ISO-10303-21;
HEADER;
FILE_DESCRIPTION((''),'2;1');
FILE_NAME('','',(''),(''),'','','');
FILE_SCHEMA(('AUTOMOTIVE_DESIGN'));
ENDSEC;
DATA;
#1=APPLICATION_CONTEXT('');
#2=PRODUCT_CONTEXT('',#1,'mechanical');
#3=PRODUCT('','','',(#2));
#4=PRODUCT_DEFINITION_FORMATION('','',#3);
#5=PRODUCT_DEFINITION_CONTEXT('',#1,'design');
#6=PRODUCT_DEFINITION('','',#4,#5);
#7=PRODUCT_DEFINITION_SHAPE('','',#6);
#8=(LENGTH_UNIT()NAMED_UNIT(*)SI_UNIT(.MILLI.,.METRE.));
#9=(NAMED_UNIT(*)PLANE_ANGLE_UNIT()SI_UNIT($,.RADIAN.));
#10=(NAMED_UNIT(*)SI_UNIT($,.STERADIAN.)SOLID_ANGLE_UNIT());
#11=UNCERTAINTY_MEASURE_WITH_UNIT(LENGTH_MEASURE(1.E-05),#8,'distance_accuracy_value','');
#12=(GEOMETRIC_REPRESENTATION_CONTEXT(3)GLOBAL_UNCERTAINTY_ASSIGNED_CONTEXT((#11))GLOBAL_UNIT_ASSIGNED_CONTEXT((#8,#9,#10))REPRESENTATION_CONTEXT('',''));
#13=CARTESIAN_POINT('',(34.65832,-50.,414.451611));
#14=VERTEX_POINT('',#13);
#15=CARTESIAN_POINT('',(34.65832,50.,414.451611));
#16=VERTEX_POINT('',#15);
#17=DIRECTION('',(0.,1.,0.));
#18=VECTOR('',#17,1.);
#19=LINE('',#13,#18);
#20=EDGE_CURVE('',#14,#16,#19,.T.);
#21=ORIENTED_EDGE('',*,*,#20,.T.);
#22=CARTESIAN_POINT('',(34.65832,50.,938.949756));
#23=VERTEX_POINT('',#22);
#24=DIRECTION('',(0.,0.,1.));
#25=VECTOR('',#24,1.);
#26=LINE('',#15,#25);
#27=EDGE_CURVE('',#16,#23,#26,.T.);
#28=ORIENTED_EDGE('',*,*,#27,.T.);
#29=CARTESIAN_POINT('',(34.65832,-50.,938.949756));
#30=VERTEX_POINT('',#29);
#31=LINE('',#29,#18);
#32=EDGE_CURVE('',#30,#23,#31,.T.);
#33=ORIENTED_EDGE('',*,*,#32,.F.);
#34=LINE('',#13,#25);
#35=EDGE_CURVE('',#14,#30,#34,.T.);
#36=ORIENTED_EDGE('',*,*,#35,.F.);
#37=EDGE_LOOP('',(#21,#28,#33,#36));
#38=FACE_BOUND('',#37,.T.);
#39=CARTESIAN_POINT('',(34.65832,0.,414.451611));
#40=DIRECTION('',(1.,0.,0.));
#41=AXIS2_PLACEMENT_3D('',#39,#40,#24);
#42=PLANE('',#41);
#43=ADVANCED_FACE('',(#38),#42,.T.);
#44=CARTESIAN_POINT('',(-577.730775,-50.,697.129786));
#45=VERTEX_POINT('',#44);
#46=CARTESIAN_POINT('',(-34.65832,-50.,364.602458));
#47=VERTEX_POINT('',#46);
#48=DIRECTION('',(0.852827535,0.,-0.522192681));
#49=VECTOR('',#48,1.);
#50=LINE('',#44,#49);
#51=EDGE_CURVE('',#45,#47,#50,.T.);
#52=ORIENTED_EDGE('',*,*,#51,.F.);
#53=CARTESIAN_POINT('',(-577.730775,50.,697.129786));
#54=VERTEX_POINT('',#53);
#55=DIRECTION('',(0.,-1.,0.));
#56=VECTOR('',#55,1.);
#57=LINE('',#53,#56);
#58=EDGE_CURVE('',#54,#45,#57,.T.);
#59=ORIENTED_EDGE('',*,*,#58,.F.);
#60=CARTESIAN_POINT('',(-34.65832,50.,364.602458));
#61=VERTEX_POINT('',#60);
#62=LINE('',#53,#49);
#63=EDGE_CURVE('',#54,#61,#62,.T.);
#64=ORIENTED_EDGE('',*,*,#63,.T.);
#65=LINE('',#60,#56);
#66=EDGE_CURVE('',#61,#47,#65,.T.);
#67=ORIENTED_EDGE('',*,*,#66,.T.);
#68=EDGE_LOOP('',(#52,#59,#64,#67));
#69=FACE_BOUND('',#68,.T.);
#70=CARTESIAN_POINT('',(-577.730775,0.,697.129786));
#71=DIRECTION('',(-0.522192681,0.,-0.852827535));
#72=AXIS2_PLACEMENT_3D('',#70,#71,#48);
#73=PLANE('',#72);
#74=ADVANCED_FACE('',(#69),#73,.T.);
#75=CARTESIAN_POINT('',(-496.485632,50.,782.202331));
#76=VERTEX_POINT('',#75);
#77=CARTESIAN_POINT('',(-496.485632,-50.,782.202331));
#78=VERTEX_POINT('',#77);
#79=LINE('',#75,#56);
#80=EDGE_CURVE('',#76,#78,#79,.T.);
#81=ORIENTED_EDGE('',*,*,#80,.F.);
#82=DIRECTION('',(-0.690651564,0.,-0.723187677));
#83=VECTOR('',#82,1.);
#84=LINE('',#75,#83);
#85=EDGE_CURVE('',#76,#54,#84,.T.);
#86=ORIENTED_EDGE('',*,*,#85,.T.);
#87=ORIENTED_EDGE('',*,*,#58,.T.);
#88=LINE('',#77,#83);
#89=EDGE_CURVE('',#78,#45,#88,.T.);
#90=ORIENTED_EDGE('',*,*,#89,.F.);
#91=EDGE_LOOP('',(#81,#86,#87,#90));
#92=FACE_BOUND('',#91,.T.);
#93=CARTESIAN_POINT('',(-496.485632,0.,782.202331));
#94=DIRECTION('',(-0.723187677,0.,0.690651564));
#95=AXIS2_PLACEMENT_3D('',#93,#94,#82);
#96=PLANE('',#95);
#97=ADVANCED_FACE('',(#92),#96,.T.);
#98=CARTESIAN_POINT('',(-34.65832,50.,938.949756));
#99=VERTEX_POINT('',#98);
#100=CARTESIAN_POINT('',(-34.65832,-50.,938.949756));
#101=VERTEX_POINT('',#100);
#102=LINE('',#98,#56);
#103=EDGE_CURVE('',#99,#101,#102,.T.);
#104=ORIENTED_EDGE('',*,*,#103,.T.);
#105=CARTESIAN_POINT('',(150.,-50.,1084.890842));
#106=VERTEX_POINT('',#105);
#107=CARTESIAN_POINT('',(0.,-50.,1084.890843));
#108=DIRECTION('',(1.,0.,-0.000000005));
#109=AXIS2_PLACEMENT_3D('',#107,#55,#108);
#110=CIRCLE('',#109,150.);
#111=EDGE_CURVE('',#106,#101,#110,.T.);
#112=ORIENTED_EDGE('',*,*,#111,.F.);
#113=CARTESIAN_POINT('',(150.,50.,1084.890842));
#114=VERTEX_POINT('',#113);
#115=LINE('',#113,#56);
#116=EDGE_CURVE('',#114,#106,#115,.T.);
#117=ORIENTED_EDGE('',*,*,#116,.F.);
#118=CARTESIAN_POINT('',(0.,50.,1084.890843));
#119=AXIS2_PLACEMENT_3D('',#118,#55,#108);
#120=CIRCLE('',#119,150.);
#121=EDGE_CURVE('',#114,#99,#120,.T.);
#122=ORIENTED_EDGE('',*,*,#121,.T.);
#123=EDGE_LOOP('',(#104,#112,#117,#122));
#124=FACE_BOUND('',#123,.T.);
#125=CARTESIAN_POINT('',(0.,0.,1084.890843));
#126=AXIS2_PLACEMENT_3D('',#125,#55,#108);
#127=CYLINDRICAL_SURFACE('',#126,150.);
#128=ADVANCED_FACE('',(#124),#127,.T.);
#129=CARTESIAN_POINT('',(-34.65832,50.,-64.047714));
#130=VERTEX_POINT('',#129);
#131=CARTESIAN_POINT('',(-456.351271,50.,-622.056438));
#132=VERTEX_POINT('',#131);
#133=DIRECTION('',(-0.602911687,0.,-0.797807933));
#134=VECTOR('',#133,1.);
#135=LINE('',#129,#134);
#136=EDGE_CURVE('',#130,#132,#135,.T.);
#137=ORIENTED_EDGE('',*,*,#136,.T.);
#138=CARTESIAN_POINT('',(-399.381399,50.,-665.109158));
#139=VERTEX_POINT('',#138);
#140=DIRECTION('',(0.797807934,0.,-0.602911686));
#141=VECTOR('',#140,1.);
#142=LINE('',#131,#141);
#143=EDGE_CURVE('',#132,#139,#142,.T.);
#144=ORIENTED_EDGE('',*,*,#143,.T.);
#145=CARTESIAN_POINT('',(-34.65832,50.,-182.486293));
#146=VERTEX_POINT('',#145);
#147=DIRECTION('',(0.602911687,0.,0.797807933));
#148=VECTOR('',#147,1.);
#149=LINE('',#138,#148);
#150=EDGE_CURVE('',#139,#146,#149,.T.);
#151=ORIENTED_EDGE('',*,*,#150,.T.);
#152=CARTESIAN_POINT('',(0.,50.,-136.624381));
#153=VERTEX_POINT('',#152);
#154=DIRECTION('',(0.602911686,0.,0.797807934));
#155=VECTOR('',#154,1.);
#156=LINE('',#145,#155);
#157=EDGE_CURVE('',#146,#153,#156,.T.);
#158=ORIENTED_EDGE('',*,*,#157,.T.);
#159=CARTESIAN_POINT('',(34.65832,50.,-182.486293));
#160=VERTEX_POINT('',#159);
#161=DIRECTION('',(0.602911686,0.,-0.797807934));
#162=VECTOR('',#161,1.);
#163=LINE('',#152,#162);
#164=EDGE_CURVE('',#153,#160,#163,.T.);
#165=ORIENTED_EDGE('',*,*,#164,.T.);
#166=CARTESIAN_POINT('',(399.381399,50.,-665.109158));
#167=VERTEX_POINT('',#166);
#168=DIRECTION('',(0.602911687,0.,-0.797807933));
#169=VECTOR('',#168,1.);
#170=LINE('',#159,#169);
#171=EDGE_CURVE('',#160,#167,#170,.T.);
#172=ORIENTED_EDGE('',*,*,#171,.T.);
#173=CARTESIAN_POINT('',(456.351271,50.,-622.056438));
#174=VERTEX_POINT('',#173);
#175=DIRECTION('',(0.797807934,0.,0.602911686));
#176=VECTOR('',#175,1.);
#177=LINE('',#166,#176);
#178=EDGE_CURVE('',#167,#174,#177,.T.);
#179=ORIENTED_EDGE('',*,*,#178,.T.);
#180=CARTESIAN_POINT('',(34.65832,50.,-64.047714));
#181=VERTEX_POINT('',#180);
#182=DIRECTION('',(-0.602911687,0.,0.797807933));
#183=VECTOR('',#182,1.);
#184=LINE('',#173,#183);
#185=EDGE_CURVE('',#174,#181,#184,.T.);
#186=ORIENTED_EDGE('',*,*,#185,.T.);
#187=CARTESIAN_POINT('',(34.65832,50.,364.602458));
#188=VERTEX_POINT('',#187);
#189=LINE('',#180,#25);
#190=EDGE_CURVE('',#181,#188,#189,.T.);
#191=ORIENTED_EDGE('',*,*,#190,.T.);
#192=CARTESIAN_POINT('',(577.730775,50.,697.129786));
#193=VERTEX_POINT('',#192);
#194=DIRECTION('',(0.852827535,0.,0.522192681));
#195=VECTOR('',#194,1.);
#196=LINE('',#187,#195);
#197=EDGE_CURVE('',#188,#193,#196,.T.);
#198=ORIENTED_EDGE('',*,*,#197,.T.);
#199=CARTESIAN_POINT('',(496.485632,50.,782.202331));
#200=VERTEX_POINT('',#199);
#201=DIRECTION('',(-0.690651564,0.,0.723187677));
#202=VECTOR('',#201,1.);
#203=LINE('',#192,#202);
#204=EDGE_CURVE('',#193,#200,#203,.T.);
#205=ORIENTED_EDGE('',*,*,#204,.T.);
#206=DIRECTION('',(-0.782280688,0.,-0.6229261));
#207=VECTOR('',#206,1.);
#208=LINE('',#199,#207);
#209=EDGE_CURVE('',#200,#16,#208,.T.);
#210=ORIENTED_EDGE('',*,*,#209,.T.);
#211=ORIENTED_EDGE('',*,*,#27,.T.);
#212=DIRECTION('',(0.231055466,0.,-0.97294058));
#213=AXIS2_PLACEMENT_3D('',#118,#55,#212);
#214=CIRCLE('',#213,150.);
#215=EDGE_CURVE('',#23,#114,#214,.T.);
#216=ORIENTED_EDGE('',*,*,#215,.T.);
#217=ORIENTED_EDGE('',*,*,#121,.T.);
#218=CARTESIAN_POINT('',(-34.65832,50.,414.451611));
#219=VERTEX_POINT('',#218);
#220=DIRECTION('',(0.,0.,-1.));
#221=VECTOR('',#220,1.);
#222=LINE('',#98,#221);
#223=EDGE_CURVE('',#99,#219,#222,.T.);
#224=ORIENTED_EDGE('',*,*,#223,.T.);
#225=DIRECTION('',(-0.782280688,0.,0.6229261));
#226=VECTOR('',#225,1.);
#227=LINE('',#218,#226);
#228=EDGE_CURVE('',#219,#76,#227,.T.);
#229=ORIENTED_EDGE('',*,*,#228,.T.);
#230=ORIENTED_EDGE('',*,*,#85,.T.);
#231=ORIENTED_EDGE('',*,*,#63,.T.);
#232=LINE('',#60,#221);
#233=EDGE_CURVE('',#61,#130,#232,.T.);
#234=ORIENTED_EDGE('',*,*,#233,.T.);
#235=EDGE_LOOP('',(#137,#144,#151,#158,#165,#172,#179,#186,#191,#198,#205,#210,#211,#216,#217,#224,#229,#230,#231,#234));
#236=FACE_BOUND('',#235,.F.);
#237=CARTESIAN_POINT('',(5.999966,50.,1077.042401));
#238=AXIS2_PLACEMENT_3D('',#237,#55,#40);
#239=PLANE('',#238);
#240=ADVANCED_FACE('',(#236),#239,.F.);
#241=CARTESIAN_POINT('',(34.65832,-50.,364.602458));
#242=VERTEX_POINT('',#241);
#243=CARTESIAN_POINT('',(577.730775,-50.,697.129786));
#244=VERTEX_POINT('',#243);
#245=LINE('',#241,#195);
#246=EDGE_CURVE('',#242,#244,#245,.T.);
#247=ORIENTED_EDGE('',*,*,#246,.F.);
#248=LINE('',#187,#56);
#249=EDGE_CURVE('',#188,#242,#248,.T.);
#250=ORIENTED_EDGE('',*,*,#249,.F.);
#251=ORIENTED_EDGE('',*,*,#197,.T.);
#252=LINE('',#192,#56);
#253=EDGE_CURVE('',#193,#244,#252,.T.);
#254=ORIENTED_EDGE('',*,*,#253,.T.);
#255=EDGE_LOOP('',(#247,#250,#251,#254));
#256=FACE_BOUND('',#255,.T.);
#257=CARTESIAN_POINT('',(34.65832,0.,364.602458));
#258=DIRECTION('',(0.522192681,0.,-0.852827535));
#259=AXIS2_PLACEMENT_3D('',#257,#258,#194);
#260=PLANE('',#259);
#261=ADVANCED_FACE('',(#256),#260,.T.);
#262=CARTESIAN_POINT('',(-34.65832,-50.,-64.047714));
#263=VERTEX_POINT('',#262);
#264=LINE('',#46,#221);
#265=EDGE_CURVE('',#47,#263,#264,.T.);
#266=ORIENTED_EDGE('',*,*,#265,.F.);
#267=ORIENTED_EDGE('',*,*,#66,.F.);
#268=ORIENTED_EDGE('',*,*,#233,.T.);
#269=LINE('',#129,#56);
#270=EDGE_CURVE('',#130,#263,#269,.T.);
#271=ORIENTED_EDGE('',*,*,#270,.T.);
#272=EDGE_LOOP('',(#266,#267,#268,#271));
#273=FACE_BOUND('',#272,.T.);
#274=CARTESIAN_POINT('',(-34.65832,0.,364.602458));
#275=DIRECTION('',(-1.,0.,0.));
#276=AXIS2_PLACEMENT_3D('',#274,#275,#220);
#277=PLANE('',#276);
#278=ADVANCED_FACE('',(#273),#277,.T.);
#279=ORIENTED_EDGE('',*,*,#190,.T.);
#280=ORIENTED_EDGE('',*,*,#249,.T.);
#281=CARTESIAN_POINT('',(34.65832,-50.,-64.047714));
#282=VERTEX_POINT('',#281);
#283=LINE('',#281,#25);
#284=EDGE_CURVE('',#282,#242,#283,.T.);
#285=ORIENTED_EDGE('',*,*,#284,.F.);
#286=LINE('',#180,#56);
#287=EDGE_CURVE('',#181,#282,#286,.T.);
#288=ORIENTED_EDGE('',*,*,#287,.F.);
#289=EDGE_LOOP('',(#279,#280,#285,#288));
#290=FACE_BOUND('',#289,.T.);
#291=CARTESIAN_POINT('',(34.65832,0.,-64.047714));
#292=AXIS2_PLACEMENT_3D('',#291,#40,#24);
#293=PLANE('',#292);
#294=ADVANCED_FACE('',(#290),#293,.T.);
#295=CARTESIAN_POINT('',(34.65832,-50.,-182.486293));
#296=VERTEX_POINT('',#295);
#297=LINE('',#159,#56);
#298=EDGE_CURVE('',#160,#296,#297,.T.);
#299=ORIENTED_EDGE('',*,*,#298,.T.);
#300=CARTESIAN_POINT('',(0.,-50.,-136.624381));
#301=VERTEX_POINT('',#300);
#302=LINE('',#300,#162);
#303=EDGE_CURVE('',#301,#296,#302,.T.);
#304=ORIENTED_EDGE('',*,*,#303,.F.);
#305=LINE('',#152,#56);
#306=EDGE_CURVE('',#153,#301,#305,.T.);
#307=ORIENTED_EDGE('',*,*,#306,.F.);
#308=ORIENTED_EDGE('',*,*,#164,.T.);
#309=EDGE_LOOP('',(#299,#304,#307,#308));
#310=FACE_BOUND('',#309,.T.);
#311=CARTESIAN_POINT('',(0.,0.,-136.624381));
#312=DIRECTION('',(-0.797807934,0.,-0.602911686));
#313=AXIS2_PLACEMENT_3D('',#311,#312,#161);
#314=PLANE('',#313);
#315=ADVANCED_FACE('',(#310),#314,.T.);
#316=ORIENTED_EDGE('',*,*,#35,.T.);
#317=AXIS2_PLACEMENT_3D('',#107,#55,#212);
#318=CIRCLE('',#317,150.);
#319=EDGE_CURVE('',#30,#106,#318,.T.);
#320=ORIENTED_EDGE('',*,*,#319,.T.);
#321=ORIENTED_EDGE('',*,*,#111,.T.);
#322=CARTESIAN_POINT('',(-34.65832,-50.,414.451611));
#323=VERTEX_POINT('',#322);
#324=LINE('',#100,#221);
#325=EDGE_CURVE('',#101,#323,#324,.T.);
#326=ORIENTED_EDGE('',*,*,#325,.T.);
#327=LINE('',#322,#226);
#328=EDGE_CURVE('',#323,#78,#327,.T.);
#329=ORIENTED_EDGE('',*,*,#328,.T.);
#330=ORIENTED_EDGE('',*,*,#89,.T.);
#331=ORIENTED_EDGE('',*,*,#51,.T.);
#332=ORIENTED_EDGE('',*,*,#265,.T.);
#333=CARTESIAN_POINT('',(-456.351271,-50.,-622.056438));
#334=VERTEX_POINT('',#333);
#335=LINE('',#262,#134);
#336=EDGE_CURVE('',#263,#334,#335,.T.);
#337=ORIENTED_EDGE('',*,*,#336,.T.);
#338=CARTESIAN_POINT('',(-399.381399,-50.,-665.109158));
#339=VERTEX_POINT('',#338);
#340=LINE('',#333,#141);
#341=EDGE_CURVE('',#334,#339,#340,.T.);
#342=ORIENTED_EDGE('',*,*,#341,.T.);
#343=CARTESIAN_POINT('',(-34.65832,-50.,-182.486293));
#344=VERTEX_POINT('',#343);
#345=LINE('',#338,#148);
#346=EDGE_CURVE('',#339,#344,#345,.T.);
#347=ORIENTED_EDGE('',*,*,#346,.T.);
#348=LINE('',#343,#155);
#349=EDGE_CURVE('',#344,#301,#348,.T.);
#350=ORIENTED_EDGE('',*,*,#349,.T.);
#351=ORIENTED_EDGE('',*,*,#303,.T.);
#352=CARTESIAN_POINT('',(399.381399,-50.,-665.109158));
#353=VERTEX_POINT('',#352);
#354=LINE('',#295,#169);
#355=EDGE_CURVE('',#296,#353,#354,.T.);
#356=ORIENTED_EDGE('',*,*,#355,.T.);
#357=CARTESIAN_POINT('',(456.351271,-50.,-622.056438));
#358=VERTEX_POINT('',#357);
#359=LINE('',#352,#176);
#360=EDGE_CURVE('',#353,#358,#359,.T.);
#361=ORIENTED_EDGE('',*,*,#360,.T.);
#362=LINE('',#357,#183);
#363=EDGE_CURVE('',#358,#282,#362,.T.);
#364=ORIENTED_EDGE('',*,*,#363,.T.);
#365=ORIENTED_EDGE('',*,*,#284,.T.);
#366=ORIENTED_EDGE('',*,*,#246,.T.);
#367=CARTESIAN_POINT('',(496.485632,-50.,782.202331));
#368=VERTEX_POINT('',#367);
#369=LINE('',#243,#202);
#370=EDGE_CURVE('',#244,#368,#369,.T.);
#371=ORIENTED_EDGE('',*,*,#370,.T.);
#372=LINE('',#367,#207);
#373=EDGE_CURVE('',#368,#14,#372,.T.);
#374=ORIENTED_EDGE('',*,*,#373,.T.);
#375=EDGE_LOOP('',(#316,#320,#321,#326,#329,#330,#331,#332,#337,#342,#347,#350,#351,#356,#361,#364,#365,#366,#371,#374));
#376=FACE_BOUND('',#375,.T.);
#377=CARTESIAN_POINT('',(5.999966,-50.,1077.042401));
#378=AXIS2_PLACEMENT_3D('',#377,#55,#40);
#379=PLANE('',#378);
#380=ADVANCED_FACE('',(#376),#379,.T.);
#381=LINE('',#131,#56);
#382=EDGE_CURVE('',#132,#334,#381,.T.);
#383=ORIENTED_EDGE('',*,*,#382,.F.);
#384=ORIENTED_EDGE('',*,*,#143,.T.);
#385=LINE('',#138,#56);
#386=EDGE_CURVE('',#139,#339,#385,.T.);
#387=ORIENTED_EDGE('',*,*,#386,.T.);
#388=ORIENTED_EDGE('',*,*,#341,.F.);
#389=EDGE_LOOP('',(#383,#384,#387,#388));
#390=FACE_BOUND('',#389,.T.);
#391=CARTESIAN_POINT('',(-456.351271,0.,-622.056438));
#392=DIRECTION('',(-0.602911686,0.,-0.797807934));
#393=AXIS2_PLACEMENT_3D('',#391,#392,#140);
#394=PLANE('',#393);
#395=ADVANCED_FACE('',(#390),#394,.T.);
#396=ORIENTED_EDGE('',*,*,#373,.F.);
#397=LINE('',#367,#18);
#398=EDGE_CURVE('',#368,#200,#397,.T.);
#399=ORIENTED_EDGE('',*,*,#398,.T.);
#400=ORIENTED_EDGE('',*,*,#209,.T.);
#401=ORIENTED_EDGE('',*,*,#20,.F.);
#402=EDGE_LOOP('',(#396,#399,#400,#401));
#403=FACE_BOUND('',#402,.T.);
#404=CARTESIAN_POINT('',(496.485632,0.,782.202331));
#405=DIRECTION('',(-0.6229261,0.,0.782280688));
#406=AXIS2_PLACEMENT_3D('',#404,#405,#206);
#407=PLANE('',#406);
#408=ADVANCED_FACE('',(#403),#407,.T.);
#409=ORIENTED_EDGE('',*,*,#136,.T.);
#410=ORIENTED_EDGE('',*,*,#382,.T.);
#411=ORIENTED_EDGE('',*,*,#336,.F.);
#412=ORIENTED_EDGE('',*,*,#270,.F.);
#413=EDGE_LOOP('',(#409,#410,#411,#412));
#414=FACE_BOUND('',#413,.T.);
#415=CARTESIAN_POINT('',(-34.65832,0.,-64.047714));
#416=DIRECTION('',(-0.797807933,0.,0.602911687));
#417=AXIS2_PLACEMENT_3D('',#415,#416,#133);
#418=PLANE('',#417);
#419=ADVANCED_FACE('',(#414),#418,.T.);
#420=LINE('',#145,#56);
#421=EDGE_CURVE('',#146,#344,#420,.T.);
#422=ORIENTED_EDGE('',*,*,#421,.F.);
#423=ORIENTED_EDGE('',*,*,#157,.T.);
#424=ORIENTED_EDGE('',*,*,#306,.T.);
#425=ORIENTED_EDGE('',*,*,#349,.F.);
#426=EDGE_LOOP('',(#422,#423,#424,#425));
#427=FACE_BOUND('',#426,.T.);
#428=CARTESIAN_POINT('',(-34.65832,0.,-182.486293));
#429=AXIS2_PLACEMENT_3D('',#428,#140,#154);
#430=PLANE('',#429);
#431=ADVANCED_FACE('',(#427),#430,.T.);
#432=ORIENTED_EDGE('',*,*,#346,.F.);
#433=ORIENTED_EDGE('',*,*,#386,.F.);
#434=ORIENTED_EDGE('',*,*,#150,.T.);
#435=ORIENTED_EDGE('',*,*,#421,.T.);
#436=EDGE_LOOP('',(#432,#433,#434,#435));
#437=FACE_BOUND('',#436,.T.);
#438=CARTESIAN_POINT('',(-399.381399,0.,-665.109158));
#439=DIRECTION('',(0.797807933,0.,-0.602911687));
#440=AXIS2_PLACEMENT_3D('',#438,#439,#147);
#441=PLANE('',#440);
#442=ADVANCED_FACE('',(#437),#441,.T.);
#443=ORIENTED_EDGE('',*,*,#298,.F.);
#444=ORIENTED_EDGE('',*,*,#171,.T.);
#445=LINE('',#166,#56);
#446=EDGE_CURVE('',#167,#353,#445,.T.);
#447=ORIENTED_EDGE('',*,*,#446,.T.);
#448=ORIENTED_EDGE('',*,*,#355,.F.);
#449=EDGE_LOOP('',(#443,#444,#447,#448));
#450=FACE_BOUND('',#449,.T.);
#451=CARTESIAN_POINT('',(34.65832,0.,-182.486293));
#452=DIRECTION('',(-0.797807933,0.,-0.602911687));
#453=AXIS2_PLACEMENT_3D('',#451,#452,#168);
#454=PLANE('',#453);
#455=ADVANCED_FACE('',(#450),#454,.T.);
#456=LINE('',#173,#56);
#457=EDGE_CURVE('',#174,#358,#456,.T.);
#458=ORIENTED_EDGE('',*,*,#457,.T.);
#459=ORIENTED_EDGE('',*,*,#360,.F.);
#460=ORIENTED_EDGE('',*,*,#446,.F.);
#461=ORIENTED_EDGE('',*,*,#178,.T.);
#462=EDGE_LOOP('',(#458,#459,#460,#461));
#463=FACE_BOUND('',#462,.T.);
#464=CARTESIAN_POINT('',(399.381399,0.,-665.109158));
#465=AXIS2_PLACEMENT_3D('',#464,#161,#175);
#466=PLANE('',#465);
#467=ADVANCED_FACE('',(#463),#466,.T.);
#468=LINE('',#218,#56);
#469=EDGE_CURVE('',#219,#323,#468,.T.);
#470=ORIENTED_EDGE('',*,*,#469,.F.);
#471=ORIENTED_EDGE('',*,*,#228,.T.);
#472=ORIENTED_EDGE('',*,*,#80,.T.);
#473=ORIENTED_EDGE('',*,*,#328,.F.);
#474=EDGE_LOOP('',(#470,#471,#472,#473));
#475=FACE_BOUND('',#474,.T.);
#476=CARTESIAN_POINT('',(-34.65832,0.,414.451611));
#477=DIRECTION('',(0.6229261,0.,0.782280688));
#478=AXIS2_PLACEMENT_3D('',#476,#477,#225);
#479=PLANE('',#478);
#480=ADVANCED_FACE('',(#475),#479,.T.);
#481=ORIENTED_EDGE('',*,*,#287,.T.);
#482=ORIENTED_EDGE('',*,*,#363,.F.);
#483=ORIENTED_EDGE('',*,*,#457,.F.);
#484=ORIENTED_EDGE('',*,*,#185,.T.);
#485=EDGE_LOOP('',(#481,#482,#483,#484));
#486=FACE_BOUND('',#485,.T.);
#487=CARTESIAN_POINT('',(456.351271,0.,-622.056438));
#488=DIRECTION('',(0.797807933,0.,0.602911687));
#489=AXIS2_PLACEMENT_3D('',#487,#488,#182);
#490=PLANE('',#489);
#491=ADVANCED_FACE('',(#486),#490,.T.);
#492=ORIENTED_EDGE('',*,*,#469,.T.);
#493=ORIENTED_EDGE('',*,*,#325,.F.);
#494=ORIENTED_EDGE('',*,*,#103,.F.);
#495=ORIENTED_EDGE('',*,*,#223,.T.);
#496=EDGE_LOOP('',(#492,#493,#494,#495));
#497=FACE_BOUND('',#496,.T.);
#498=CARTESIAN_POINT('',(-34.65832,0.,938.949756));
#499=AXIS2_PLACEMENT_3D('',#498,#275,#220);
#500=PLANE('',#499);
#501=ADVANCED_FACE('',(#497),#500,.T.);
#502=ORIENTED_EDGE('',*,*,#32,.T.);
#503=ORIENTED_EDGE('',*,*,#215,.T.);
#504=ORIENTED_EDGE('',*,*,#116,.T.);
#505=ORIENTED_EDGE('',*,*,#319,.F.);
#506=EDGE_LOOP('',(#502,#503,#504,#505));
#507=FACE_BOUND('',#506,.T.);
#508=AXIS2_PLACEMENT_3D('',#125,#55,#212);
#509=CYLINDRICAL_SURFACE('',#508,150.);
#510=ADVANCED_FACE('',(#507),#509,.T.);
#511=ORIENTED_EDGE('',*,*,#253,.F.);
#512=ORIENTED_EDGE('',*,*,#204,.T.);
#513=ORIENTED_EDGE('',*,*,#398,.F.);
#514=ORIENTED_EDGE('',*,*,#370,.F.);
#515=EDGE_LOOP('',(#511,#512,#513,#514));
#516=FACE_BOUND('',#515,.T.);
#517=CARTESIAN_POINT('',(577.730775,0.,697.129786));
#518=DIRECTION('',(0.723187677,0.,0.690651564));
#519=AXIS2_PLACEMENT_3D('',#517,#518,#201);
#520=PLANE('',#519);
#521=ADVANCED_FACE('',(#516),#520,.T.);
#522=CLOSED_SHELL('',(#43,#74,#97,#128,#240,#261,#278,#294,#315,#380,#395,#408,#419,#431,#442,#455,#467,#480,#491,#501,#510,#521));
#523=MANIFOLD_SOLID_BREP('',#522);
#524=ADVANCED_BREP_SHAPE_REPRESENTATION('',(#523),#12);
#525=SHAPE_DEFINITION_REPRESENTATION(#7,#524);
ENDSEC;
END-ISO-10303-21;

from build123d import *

# Parameters (mm, degrees)
F1_DEPTH = 50


with BuildPart() as f1:
    # F0 (on Front) → F1 (new body, symmetric)
    with BuildSketch(Plane.XZ):
        with BuildLine():
            ThreePointArc((34.65832, 938.949756), (117.683363, 991.882101), (150, 1084.890842))
            ThreePointArc((150, 1084.890842), (-93.008741, 1202.574206), (-34.65832, 938.949756))
            ThreePointArc((-34.65832, 938.949756), (0, 934.890842), (34.65832, 938.949756))
        make_face()
        with BuildLine():
            ThreePointArc((34.65832, 938.949756), (0, 934.890842), (-34.65832, 938.949756))
            Line((-34.65832, 938.949756), (-34.65832, 414.451611))
            Line((-34.65832, 414.451611), (-496.485632, 782.202331))
            Line((-496.485632, 782.202331), (-577.730775, 697.129786))
            Line((-577.730775, 697.129786), (-34.65832, 364.602458))
            Line((-34.65832, 364.602458), (-34.65832, -64.047714))
            Line((-34.65832, -64.047714), (-456.351271, -622.056438))
            Line((-456.351271, -622.056438), (-399.381399, -665.109158))
            Line((-399.381399, -665.109158), (-34.65832, -182.486293))
            Line((-34.65832, -182.486293), (0, -136.624381))
            Line((0, -136.624381), (34.65832, -182.486293))
            Line((34.65832, -182.486293), (399.381399, -665.109158))
            Line((399.381399, -665.109158), (456.351271, -622.056438))
            Line((456.351271, -622.056438), (34.65832, -64.047714))
            Line((34.65832, -64.047714), (34.65832, 364.602458))
            Line((34.65832, 364.602458), (577.730775, 697.129786))
            Line((577.730775, 697.129786), (496.485632, 782.202331))
            Line((496.485632, 782.202331), (34.65832, 414.451611))
            Line((34.65832, 414.451611), (34.65832, 938.949756))
        make_face()
    extrude(amount=F1_DEPTH, both=True)


solid = f1.part
